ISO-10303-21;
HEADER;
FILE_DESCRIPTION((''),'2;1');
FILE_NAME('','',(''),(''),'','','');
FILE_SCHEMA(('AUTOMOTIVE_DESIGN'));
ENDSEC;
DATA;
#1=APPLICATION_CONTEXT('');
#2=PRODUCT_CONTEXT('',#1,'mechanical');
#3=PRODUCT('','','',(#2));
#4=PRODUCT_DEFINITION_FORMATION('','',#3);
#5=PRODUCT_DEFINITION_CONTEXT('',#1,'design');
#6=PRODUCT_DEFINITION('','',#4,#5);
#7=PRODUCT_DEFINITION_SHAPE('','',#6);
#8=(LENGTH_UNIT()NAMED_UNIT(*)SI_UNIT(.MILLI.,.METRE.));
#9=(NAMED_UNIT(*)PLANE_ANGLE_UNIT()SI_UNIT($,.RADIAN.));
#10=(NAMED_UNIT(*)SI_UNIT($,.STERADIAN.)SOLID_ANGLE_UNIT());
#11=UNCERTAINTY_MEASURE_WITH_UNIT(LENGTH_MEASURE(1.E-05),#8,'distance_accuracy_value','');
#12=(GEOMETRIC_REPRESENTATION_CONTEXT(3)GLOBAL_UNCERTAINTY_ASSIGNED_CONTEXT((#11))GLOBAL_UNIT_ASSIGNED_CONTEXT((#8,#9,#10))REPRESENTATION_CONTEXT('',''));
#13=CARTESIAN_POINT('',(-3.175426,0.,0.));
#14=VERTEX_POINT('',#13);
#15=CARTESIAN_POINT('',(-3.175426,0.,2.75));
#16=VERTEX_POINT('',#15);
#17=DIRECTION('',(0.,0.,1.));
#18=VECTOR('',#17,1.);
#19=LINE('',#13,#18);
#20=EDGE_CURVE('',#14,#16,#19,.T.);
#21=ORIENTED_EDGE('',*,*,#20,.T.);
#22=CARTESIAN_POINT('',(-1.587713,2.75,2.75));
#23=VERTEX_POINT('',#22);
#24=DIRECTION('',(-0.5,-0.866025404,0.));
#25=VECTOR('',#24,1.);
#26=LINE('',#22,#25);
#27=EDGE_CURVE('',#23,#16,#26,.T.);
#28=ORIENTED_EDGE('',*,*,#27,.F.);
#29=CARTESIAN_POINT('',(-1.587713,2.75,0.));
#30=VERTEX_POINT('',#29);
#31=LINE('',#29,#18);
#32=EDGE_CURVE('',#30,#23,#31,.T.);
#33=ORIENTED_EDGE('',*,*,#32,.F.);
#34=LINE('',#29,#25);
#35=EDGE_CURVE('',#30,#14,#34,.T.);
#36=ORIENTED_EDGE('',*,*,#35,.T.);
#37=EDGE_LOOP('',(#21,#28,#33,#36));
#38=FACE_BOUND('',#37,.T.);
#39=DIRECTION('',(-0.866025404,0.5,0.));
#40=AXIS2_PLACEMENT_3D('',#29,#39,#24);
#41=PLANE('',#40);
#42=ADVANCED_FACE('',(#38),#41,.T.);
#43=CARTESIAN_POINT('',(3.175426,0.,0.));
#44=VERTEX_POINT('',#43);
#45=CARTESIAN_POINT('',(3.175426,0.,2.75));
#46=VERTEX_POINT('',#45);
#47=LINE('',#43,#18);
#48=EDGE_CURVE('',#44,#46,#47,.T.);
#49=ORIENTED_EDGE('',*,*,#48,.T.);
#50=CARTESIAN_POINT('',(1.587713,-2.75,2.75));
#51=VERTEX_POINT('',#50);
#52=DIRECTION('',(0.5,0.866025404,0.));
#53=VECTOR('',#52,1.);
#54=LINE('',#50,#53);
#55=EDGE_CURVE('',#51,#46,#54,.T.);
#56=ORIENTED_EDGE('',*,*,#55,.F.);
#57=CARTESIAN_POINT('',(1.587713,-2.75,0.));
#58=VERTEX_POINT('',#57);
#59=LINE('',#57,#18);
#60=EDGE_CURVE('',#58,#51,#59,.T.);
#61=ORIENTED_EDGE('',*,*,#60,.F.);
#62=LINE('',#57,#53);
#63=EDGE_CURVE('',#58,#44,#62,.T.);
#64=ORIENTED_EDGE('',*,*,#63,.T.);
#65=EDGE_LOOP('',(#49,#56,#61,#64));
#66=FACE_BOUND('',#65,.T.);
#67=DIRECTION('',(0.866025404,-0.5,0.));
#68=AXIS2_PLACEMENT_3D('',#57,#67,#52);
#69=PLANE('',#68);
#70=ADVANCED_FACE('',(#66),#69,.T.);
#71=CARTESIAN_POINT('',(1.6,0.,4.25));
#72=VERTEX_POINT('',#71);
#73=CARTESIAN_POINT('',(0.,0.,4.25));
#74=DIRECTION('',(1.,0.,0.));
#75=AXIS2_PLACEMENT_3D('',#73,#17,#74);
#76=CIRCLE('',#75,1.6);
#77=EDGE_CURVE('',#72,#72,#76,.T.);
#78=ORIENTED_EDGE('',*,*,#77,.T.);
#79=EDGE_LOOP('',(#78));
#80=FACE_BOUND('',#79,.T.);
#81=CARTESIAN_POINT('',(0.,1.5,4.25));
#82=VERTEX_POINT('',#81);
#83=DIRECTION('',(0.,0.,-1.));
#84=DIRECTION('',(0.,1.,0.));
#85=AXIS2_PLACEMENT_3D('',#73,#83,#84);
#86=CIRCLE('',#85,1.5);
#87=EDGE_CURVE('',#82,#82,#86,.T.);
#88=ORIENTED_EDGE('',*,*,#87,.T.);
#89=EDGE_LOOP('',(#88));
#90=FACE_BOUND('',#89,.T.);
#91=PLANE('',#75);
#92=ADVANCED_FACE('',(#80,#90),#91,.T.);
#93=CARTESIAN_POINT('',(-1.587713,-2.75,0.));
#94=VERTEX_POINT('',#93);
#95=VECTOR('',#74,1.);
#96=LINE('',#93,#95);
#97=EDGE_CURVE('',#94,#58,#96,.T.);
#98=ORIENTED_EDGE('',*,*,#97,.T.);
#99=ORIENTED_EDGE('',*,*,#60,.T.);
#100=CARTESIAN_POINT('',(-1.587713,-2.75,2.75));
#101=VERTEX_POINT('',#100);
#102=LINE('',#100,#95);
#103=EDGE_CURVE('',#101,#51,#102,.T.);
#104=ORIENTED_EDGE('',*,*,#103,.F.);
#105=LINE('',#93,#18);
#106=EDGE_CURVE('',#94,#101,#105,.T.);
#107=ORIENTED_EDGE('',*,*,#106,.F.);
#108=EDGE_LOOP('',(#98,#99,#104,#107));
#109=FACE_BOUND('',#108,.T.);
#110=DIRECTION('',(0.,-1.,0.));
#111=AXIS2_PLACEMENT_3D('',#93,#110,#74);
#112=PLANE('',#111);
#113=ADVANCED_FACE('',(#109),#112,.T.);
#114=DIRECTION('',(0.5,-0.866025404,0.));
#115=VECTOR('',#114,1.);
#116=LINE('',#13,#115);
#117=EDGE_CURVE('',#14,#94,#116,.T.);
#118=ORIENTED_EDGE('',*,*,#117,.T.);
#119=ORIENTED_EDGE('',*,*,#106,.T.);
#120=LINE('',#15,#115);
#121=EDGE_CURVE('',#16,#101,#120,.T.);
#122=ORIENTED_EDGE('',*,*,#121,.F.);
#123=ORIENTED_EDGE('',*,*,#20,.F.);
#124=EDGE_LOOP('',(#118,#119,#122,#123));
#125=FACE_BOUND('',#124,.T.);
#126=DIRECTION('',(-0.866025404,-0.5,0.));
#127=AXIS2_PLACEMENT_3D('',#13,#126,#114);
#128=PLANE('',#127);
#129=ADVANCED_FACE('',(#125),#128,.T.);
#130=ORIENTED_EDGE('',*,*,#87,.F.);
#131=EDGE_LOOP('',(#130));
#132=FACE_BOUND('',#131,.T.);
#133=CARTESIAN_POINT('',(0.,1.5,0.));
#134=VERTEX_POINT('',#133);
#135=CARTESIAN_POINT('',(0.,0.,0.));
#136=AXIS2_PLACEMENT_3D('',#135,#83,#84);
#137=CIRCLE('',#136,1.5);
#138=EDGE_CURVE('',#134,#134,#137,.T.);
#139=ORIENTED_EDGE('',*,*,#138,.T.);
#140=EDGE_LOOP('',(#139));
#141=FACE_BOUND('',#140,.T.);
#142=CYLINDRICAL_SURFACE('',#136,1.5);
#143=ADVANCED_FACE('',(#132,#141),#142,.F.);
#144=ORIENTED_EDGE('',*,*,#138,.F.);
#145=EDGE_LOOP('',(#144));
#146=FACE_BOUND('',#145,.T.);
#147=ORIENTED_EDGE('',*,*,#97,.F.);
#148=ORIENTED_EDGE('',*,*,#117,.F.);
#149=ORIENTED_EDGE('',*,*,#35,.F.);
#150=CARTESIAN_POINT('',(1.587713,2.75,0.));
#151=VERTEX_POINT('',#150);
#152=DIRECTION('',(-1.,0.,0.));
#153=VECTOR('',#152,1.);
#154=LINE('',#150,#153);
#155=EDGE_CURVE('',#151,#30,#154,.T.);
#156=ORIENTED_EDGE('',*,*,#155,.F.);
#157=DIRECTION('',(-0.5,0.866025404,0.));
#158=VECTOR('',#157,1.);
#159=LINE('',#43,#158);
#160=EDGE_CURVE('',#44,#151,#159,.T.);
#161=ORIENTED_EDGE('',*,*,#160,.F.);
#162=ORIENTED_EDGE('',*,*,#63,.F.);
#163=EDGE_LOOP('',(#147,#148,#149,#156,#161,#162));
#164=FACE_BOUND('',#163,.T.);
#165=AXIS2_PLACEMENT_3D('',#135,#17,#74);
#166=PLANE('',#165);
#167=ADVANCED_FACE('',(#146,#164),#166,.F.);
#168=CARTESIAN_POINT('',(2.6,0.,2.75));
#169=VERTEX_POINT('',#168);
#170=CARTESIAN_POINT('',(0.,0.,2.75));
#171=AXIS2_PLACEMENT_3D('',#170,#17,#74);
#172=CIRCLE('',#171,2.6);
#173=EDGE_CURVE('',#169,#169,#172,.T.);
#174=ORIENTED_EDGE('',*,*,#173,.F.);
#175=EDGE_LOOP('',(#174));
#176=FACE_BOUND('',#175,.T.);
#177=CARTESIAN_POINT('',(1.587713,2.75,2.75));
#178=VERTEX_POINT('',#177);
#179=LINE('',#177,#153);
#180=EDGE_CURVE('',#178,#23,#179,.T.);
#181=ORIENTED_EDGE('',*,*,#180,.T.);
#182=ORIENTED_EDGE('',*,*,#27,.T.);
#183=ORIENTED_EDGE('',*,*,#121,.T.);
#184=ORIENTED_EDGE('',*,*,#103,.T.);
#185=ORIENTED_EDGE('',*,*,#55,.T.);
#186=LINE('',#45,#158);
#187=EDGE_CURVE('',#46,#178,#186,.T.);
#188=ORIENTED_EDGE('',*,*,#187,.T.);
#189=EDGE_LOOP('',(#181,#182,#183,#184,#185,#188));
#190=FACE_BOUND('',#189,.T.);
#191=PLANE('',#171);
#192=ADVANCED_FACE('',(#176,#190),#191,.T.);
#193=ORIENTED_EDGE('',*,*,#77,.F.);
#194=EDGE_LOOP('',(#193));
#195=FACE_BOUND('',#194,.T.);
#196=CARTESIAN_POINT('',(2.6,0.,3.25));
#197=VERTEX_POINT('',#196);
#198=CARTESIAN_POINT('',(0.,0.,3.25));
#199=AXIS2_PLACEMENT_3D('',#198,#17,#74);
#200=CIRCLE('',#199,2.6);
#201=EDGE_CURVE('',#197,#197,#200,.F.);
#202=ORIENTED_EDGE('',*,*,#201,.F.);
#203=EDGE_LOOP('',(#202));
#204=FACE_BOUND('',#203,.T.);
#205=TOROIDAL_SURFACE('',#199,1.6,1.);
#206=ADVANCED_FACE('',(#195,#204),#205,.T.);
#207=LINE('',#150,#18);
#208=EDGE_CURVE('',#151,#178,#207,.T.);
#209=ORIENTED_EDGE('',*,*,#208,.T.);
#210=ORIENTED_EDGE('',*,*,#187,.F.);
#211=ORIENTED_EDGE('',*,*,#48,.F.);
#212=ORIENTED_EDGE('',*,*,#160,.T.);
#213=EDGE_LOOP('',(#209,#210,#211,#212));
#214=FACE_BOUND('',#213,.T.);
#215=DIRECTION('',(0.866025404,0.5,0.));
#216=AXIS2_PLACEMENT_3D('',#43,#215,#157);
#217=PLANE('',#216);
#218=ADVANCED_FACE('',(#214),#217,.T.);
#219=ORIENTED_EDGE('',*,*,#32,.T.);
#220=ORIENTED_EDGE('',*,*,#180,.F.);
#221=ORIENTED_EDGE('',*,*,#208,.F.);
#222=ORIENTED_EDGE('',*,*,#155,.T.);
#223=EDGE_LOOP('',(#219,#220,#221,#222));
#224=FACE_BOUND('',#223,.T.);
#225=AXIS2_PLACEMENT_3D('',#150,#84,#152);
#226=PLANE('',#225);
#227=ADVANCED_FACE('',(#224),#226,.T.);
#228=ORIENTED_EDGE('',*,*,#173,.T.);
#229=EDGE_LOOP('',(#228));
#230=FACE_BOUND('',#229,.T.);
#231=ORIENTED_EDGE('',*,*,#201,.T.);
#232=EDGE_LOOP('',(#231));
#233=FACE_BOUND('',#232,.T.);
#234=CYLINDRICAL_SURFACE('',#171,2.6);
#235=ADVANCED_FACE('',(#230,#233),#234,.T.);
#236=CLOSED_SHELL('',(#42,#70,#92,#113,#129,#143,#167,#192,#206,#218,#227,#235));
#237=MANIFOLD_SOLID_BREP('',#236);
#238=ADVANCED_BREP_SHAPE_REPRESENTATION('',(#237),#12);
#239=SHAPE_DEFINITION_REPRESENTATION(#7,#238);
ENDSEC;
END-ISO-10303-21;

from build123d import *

# Parameters (mm, degrees)
EXTRUDE_1_DEPTH           = 2.75
SKETCH_2_W                = 2.6
SKETCH_2_H                = 1.5
HOLE_WIZARD_3_0_3_1_D     = 3
HOLE_WIZARD_3_0_3_1_DEPTH = 4.25
FILLET_1_R                = 1


with BuildPart() as part:
    # 草图1 → 凸台-拉伸1 (new body)
    with BuildSketch(Plane.XY.offset(2.75)):
        Polygon((1.58771324, -2.75), (3.175426481, 0), (1.58771324, 2.75), (-1.58771324, 2.75), (-3.175426481, 0), (-1.58771324, -2.75), align=None)
    extrude(amount=-EXTRUDE_1_DEPTH)

    # 草图2 → 旋转1 (revolve)
    with BuildSketch(Plane(origin=(0, 0, 0), x_dir=(1, 0, 0), z_dir=(0, 1, 0))):
        with Locations((1.3, -3.5)):
            Rectangle(SKETCH_2_W, SKETCH_2_H)
    revolve(axis=Axis((0, 0, 2.75), (0, 0, 1)))

    # Ø3.0 (3) 直径孔1
    with Locations(Plane(origin=(0, 0, 0), x_dir=(-1, 0, 0), z_dir=(0, 0, -1))):
        with Locations((0, 0)):
            Hole(HOLE_WIZARD_3_0_3_1_D / 2, depth=HOLE_WIZARD_3_0_3_1_DEPTH)

    # 圆角1
    fillet_1_edges = [part.edges().sort_by_distance(p)[0] for p in [
        (-2.6, 0, 4.25),
    ]]
    fillet(fillet_1_edges, radius=FILLET_1_R)


solid = part.part
